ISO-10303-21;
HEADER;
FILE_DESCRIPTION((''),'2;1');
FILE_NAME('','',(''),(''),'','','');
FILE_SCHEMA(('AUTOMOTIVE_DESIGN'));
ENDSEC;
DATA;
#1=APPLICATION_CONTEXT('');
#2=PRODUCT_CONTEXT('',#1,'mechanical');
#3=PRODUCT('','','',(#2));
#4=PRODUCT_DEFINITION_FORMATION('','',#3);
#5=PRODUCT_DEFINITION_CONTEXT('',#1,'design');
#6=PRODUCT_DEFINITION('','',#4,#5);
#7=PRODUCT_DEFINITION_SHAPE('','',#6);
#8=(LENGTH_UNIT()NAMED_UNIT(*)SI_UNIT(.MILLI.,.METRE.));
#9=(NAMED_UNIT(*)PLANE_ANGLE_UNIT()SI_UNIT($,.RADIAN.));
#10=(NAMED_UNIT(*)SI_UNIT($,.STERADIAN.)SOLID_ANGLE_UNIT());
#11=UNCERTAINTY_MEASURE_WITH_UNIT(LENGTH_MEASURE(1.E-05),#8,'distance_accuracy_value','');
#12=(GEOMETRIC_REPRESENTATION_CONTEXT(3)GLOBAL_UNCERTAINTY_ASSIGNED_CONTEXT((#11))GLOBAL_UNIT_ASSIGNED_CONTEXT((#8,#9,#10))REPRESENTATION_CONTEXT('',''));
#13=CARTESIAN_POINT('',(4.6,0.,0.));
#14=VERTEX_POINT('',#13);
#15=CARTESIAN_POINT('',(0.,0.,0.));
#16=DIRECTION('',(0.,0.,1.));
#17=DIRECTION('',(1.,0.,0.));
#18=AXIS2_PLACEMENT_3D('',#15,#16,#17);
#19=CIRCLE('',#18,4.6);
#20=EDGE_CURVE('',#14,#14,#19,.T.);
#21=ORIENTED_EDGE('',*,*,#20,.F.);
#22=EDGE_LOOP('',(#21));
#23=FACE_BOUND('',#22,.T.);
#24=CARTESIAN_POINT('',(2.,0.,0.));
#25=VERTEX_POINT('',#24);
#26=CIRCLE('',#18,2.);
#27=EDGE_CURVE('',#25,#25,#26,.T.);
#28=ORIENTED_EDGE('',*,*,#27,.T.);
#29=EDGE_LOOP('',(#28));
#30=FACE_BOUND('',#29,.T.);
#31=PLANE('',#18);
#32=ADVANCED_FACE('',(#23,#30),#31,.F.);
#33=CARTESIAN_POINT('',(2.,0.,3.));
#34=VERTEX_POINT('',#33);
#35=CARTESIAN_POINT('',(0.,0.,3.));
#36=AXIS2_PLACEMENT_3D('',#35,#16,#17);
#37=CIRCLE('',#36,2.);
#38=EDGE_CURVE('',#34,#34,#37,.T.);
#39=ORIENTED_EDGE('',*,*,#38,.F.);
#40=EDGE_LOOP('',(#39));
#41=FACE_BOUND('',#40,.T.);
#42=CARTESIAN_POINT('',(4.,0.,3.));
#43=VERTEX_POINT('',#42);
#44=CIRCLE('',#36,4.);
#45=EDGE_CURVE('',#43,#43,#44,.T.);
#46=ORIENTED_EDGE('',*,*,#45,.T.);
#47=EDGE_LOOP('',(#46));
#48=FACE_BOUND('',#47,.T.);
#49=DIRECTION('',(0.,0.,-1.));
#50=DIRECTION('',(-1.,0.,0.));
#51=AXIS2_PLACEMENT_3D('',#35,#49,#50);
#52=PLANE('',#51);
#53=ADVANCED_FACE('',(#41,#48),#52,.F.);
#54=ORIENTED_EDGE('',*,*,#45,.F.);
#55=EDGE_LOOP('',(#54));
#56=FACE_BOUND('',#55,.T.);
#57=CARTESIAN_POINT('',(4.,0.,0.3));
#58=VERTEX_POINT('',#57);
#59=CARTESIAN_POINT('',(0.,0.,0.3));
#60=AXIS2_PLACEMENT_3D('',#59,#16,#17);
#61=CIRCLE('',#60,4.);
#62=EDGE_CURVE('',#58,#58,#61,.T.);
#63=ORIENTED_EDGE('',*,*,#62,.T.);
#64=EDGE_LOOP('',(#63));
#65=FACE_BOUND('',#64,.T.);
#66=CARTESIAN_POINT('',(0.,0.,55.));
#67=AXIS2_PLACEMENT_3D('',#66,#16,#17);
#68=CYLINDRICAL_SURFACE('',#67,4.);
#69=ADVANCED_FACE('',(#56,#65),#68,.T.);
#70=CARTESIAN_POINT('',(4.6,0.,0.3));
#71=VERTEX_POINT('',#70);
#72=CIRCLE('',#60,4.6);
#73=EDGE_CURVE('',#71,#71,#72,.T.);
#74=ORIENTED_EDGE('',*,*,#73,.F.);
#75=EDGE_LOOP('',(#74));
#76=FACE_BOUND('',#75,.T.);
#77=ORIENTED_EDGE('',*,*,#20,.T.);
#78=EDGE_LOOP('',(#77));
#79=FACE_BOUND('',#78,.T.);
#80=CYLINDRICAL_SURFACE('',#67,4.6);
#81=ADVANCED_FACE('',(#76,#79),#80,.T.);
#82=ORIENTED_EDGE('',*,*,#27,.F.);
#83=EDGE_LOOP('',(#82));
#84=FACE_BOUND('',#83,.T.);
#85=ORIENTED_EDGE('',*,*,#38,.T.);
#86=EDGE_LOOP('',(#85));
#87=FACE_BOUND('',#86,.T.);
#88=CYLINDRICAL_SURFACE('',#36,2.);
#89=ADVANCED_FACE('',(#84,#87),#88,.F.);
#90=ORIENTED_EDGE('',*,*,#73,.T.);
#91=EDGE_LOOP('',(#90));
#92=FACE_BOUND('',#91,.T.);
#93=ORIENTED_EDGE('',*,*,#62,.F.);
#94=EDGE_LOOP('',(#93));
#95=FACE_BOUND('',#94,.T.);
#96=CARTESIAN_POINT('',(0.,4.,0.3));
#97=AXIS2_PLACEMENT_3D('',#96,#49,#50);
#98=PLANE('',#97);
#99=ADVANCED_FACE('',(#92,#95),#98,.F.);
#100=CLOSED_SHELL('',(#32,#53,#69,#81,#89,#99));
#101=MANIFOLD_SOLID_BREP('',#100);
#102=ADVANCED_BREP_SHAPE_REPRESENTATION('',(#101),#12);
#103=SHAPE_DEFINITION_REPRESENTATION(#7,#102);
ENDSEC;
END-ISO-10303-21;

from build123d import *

# Parameters (mm, degrees)
F_4_0_4_DIAMETER_HOLE1_D     = 4
F_4_0_4_DIAMETER_HOLE1_DEPTH = 56.2
F_4_0_4_DIAMETER_HOLE1_TIP   = 1.201721238


with BuildPart() as part:
    # Sketch1 → Revolve1 (revolve)
    with BuildSketch(Plane(origin=(0, 0, 0), x_dir=(0, 0, -1), z_dir=(1, 0, 0)), mode=Mode.PRIVATE) as revolve1_sk:
        Polygon((0, 0), (0, 4.6), (-0.3, 4.6), (-0.3, 4), (-3, 4), (-3, 0), align=None)
    revolve(revolve1_sk.sketch.rotate(Axis((0, 0, 55), (0, 0, -1)), 90), axis=Axis((0, 0, 55), (0, 0, -1)))

    # Ø4.0 (4) Diameter Hole1
    with Locations(Plane.XY.offset(3)):
        with Locations((0, 0)):
            Hole(F_4_0_4_DIAMETER_HOLE1_D / 2, depth=F_4_0_4_DIAMETER_HOLE1_DEPTH)
            with Locations((0, 0, -(F_4_0_4_DIAMETER_HOLE1_DEPTH + F_4_0_4_DIAMETER_HOLE1_TIP / 2))):  # 118° drill point
                Cone(0, F_4_0_4_DIAMETER_HOLE1_D / 2, F_4_0_4_DIAMETER_HOLE1_TIP, mode=Mode.SUBTRACT)


solid = part.part
